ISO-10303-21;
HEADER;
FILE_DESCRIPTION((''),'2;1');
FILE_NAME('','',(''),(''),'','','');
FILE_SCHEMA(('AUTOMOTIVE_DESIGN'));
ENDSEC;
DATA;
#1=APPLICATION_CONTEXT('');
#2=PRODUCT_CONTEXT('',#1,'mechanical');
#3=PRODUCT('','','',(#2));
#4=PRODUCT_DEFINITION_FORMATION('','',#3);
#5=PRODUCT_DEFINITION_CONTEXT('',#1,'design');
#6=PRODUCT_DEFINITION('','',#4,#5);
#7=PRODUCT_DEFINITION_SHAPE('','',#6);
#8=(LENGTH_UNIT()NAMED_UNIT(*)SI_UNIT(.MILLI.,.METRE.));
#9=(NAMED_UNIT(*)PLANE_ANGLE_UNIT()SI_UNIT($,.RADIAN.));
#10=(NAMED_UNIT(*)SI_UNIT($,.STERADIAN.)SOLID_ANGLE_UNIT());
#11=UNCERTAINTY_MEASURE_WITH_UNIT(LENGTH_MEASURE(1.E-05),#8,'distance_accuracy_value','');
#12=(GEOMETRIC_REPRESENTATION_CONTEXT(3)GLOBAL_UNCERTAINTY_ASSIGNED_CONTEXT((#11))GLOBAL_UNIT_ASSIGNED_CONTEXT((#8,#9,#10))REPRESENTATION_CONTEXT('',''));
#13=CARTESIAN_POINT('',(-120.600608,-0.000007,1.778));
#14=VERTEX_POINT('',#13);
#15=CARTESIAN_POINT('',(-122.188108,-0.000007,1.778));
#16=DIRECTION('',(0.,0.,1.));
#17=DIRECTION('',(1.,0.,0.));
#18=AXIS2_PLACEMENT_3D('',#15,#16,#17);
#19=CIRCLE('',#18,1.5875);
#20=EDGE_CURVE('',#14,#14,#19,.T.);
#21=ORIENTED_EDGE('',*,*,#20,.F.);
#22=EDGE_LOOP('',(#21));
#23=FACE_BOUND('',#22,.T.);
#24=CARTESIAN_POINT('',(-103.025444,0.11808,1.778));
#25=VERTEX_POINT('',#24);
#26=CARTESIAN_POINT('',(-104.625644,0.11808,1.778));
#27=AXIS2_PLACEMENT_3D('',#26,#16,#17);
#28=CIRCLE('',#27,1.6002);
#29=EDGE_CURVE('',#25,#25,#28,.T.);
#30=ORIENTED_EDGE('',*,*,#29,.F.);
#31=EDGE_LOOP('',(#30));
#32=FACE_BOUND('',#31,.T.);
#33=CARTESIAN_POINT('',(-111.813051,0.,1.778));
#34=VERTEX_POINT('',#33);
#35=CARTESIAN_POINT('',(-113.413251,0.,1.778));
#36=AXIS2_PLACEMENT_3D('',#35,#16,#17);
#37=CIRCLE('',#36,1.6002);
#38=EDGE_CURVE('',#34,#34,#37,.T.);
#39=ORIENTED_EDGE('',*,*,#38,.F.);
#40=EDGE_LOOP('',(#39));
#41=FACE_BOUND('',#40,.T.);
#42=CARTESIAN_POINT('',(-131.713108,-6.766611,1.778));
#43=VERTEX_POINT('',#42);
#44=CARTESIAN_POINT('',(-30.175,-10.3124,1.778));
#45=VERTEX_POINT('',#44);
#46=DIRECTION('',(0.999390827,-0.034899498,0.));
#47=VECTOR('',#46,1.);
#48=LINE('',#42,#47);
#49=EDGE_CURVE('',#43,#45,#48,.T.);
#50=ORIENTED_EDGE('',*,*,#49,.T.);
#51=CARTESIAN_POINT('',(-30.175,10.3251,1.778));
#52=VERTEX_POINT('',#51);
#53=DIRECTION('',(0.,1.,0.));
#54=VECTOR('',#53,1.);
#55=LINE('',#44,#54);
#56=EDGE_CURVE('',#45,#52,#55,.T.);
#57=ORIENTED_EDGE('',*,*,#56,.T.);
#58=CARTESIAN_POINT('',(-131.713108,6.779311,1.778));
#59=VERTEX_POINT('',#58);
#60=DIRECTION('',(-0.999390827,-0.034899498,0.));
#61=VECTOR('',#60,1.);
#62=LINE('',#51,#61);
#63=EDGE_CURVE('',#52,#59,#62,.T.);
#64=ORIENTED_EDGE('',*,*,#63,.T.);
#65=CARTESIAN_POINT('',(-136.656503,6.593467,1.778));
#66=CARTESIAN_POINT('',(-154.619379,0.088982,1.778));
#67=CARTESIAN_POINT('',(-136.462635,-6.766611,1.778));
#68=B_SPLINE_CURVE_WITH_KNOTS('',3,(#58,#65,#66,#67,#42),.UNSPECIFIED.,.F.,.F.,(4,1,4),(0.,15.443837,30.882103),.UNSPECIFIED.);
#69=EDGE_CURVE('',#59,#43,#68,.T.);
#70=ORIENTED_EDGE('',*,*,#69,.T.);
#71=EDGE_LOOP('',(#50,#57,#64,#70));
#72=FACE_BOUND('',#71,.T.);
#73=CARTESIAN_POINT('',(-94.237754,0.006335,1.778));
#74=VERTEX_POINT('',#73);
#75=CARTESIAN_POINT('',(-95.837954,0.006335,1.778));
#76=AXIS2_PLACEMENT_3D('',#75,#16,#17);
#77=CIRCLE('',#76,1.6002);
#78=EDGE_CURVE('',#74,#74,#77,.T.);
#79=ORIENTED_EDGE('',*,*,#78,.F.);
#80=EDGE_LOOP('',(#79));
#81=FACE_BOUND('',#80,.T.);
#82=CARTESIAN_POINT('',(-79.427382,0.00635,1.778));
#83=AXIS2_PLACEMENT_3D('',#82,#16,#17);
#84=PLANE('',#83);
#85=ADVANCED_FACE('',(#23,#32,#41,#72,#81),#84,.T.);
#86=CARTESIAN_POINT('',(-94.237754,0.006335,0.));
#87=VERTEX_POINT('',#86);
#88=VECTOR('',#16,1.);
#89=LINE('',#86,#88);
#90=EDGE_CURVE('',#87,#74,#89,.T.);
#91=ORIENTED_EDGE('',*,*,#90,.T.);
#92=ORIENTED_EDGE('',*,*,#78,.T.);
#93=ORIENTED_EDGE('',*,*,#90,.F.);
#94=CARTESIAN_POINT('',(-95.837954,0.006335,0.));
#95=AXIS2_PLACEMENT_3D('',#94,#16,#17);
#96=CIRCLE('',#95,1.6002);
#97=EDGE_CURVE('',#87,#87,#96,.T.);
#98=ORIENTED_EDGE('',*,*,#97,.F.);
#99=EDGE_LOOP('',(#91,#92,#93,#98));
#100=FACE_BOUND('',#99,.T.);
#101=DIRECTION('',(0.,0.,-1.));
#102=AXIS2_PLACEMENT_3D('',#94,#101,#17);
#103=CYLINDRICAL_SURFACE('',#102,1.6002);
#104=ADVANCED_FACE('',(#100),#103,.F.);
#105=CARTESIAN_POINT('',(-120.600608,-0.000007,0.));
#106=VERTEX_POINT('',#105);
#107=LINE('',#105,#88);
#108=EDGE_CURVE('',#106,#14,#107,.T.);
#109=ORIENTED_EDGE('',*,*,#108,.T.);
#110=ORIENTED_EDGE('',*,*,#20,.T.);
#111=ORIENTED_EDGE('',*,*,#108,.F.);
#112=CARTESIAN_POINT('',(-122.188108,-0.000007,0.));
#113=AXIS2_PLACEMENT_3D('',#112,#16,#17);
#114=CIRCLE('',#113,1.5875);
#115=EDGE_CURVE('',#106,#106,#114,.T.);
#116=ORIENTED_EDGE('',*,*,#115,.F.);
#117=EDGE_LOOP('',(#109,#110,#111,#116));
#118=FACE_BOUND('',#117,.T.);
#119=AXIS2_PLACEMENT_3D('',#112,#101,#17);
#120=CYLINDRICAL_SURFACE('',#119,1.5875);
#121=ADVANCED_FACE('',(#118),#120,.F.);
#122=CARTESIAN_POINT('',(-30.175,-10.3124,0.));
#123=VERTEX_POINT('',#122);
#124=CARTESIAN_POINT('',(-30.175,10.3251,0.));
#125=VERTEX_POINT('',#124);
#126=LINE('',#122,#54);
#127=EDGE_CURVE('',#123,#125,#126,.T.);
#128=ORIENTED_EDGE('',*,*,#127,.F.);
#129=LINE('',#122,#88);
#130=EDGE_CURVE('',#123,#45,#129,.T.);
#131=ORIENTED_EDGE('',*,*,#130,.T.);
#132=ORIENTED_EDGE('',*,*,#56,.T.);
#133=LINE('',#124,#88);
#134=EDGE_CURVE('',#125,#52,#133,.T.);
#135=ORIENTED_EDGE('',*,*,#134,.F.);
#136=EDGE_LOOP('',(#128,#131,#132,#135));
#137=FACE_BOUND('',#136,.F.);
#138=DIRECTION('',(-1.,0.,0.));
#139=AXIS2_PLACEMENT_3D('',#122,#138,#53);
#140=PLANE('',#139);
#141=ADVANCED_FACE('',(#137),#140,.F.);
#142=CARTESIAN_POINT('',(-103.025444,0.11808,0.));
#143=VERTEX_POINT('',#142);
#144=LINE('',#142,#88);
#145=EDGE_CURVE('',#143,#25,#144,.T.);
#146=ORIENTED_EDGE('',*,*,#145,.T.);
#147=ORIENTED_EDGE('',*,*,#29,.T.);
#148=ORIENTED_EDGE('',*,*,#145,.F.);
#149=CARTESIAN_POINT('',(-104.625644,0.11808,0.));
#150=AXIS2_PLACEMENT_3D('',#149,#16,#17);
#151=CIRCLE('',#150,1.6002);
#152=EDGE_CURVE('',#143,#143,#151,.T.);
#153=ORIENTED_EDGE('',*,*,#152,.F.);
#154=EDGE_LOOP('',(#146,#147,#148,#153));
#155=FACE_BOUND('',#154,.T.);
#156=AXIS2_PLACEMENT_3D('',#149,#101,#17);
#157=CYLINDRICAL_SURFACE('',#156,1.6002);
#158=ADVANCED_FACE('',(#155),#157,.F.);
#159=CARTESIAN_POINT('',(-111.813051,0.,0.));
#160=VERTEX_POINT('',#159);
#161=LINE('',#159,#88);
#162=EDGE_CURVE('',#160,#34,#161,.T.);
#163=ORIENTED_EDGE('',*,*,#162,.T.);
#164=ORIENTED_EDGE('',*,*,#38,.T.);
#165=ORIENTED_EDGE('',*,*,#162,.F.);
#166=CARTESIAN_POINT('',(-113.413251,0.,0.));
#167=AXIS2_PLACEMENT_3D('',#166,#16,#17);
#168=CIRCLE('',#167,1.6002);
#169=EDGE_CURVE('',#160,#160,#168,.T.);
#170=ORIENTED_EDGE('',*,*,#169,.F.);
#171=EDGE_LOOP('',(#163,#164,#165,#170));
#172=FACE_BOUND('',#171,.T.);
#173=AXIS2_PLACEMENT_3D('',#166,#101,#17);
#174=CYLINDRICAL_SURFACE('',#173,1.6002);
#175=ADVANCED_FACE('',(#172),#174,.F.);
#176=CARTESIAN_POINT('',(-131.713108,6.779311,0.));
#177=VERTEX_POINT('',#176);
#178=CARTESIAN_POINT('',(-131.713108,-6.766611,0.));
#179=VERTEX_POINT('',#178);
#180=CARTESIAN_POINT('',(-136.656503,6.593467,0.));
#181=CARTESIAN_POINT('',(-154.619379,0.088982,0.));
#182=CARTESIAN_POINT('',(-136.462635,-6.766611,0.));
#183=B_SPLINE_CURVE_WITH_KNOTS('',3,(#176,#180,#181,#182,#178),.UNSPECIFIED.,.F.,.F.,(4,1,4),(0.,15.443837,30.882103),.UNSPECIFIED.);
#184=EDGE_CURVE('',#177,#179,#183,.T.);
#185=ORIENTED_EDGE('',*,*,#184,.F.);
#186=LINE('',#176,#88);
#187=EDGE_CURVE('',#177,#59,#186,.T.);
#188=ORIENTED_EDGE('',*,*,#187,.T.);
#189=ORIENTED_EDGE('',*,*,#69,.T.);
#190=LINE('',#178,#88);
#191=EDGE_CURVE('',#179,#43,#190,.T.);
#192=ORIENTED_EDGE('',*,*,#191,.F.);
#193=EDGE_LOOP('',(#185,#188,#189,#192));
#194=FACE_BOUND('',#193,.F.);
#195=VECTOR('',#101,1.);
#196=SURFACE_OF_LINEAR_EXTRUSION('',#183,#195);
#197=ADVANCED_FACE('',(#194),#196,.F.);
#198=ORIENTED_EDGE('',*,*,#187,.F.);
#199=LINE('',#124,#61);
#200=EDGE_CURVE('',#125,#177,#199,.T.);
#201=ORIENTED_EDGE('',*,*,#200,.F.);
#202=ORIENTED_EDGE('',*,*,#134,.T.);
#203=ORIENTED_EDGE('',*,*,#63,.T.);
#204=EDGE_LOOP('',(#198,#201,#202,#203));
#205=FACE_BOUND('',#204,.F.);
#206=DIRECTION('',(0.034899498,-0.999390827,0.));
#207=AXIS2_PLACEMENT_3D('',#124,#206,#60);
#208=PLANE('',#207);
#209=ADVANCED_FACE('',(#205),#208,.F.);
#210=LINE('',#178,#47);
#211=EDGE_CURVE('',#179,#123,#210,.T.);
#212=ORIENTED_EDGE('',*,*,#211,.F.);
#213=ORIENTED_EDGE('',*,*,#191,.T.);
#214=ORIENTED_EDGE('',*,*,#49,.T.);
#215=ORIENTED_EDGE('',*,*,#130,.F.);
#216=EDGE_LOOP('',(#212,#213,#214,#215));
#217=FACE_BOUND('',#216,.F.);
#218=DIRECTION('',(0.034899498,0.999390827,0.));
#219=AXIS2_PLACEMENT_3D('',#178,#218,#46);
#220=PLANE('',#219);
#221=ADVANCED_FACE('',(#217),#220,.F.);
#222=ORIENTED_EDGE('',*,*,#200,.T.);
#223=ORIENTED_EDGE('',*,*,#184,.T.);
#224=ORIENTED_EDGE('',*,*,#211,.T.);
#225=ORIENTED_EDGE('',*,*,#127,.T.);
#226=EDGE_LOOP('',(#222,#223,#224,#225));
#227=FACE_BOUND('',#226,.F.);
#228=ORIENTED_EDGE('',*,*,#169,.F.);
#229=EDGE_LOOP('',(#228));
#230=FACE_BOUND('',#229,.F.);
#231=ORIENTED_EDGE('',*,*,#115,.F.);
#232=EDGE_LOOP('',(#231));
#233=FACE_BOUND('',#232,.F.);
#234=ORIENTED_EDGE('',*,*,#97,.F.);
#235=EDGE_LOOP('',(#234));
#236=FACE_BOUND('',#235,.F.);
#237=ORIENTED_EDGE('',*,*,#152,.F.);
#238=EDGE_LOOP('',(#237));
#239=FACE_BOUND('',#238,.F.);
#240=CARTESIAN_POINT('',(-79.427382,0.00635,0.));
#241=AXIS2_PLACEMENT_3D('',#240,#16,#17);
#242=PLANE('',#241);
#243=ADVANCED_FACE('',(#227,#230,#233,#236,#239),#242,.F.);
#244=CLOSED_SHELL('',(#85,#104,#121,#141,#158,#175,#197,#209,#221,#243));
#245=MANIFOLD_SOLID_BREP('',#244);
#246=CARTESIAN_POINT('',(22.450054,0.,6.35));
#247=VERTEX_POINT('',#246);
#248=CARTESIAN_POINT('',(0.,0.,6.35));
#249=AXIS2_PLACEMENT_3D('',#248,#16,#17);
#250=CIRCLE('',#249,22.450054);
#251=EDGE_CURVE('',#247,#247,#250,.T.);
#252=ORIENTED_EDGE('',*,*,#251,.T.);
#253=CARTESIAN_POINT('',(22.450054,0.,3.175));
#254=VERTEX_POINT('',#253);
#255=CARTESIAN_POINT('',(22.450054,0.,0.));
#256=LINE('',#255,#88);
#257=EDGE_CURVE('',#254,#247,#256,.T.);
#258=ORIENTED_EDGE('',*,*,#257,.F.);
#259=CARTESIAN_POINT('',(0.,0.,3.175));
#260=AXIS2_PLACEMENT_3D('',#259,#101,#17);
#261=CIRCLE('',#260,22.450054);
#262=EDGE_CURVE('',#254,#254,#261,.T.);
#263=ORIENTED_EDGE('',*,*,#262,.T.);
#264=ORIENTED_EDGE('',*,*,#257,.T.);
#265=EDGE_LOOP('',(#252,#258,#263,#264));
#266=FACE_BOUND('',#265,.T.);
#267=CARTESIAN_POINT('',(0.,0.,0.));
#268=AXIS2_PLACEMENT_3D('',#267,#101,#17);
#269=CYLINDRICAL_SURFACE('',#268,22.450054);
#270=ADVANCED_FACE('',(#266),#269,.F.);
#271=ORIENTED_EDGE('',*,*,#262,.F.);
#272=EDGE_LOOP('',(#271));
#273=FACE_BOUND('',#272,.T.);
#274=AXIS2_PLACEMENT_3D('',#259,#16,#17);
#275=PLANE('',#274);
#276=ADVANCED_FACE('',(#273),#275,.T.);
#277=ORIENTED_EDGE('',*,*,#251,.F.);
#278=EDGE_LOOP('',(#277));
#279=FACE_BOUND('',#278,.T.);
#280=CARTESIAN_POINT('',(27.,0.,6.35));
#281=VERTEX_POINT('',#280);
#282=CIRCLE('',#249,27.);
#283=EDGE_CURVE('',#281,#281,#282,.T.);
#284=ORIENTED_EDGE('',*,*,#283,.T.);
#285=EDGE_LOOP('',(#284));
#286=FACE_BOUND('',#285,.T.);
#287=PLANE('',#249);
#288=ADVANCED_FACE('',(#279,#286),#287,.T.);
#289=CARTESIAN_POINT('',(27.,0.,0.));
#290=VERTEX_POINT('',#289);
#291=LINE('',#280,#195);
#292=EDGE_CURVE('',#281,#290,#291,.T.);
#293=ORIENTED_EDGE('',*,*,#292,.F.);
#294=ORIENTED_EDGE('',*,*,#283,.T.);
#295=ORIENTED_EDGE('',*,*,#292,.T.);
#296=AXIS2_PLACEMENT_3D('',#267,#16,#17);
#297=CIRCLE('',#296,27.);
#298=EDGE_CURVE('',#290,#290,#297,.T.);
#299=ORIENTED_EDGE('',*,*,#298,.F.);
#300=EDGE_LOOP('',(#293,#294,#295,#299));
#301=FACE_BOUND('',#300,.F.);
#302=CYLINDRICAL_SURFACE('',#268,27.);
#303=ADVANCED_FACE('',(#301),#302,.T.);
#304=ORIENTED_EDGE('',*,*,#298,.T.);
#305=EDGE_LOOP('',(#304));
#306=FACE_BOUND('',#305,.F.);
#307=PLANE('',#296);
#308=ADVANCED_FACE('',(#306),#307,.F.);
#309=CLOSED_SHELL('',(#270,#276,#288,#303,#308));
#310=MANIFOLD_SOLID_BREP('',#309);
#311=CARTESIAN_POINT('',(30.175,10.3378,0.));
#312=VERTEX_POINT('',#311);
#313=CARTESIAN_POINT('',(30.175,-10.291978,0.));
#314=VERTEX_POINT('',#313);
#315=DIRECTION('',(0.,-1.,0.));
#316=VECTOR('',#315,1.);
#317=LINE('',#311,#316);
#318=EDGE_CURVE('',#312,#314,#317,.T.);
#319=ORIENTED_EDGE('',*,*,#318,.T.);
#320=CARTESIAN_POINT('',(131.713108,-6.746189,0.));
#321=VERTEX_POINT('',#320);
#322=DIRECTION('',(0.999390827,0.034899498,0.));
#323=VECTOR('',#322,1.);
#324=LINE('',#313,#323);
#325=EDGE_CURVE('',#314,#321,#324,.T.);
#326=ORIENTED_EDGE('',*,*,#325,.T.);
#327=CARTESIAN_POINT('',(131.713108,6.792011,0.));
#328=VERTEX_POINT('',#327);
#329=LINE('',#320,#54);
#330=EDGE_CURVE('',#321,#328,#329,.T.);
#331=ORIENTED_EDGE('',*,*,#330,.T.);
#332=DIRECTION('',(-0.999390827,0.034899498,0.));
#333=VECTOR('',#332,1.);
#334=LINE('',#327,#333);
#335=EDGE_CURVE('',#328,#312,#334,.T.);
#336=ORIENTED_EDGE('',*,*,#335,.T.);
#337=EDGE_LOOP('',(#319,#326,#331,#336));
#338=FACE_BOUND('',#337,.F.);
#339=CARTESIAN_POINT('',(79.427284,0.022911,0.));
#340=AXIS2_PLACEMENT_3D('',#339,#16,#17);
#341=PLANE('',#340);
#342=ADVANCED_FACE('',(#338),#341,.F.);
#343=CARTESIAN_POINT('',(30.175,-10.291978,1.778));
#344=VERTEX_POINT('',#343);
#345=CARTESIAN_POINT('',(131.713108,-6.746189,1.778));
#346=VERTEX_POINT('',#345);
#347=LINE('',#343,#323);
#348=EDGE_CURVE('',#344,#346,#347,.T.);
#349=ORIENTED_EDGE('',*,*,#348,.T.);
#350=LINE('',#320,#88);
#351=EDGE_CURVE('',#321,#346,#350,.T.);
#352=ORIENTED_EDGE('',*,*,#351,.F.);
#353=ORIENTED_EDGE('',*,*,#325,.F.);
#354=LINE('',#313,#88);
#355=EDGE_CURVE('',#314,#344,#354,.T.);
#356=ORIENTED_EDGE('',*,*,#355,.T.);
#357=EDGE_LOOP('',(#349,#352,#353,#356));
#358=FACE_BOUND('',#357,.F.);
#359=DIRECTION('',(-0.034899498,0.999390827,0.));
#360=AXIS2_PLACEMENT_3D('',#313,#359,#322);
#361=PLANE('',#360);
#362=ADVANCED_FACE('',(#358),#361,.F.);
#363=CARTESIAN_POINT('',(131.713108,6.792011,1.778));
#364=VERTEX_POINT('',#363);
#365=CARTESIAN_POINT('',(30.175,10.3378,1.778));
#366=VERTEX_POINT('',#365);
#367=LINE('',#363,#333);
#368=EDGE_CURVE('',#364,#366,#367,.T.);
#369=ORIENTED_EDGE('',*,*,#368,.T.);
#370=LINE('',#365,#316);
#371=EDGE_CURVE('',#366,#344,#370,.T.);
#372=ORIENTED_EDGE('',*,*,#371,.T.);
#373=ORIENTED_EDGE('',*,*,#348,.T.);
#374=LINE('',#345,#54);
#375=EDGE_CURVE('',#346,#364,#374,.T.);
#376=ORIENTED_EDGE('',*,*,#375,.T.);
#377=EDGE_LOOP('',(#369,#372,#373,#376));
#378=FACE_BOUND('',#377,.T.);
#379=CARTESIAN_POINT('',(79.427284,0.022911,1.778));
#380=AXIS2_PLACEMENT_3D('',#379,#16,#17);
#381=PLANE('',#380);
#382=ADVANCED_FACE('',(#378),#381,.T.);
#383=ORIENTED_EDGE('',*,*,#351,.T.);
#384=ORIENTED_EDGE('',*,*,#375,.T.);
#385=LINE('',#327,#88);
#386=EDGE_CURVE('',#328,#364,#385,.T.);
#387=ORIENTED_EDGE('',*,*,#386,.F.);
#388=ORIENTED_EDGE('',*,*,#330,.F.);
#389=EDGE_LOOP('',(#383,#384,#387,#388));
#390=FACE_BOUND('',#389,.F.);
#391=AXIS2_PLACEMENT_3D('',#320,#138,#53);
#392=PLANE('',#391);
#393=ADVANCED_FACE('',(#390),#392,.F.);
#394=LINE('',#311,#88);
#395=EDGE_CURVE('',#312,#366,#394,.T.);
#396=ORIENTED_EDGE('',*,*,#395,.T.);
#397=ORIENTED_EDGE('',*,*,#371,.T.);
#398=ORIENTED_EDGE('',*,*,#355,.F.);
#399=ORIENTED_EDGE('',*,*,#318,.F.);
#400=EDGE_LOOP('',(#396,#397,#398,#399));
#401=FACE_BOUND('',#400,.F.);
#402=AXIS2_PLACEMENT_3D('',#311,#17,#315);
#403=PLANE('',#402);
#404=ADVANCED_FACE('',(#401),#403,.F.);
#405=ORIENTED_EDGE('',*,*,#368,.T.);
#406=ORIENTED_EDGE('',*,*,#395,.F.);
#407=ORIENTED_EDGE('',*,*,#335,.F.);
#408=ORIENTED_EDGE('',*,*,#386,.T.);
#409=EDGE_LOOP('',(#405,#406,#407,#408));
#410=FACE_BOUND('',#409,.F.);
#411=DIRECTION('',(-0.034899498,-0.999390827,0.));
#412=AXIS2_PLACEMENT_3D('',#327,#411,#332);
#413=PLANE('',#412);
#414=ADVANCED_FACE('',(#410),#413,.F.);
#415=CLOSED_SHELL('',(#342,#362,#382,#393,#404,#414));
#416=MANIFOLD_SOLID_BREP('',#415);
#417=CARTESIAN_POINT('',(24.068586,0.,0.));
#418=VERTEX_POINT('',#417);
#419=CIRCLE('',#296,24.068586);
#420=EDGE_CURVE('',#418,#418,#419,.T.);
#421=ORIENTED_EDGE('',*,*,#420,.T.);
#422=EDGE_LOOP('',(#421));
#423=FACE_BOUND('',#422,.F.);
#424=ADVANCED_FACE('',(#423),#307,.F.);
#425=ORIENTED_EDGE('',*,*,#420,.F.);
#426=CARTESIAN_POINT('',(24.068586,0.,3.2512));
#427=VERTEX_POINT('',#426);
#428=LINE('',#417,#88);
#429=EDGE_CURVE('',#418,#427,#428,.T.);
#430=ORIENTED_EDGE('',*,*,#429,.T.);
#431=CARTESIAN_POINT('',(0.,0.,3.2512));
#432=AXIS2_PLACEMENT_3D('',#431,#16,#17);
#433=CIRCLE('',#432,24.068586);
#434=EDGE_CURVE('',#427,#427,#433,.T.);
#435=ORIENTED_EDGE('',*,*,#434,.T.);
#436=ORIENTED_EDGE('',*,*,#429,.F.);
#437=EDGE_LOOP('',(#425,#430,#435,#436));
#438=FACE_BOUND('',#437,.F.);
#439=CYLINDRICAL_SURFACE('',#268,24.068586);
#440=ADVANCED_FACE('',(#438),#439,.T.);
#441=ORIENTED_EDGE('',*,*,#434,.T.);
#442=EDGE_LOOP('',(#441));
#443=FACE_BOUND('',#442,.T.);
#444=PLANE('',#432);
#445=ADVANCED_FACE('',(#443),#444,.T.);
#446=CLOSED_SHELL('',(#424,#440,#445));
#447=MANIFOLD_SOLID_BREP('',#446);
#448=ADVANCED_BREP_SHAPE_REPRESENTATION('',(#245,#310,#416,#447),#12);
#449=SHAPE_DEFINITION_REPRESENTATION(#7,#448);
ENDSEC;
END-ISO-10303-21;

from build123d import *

# Parameters (mm, degrees)
F0_R     = 22.450054
F0_R_2   = 27
F1_DEPTH = 3.175
F2_DEPTH = 6.35
F0_R_3   = 1.5875
F0_R_4   = 1.6002
F3_DEPTH = 1.778
F4_R     = 24.068586
F5_DEPTH = 3.175
F6_DEPTH = 3.2512


with BuildPart() as f1:
    # F0 (on Top) → F1 (new body)
    with BuildSketch(Plane.XY):
        Circle(F0_R)
        Circle(F0_R_2)
        Circle(F0_R, mode=Mode.SUBTRACT)
    extrude(amount=F1_DEPTH)

    # F0 (on Top) → F2 (join)
    with BuildSketch(Plane.XY):
        Circle(F0_R_2)
        Circle(F0_R, mode=Mode.SUBTRACT)
    extrude(amount=F2_DEPTH)

    # F4 (on Top) → F5 (join)
    with BuildSketch(Plane.XY):
        Circle(F4_R)
    extrude(amount=F5_DEPTH)


with BuildPart() as f3:
    # F0 (on Top) → F3 (new body)
    with BuildSketch(Plane.XY):
        Polygon((-30.175, -10.3124), (-30.175, 10.3251), (-131.713108, 6.779311), (-131.713108, -6.766611), align=None)
        with Locations((-122.188108, -7e-06)):
            Circle(F0_R_3, mode=Mode.SUBTRACT)
        with Locations((-113.413251, 0)):
            Circle(F0_R_4, mode=Mode.SUBTRACT)
        with Locations((-104.625644, 0.11808)):
            Circle(F0_R_4, mode=Mode.SUBTRACT)
        with Locations((-95.837954, 0.006335)):
            Circle(F0_R_4, mode=Mode.SUBTRACT)
        Polygon((131.713108, 6.792011), (30.175, 10.3378), (30.175, -10.291978), (131.713108, -6.746189), align=None)
        with BuildLine():
            Line((-131.713108, -6.766611), (-131.713108, 6.779311))
            add(Edge.make_bspline(
                [(-131.713108, 6.779311), (-136.656503, 6.593467), (-154.619379, 0.088982), (-136.462635, -6.766611), (-131.713108, -6.766611)],
                knots=[0, 0, 0, 0, 15.443837, 30.882103, 30.882103, 30.882103, 30.882103], degree=3))
        make_face()
    extrude(amount=F3_DEPTH)


with BuildPart() as f6:
    # F4 (on Top) → F6 (new body)
    with BuildSketch(Plane.XY):
        Circle(F4_R)
    extrude(amount=F6_DEPTH)


solid = Compound([f1.part, f3.part, f6.part])
